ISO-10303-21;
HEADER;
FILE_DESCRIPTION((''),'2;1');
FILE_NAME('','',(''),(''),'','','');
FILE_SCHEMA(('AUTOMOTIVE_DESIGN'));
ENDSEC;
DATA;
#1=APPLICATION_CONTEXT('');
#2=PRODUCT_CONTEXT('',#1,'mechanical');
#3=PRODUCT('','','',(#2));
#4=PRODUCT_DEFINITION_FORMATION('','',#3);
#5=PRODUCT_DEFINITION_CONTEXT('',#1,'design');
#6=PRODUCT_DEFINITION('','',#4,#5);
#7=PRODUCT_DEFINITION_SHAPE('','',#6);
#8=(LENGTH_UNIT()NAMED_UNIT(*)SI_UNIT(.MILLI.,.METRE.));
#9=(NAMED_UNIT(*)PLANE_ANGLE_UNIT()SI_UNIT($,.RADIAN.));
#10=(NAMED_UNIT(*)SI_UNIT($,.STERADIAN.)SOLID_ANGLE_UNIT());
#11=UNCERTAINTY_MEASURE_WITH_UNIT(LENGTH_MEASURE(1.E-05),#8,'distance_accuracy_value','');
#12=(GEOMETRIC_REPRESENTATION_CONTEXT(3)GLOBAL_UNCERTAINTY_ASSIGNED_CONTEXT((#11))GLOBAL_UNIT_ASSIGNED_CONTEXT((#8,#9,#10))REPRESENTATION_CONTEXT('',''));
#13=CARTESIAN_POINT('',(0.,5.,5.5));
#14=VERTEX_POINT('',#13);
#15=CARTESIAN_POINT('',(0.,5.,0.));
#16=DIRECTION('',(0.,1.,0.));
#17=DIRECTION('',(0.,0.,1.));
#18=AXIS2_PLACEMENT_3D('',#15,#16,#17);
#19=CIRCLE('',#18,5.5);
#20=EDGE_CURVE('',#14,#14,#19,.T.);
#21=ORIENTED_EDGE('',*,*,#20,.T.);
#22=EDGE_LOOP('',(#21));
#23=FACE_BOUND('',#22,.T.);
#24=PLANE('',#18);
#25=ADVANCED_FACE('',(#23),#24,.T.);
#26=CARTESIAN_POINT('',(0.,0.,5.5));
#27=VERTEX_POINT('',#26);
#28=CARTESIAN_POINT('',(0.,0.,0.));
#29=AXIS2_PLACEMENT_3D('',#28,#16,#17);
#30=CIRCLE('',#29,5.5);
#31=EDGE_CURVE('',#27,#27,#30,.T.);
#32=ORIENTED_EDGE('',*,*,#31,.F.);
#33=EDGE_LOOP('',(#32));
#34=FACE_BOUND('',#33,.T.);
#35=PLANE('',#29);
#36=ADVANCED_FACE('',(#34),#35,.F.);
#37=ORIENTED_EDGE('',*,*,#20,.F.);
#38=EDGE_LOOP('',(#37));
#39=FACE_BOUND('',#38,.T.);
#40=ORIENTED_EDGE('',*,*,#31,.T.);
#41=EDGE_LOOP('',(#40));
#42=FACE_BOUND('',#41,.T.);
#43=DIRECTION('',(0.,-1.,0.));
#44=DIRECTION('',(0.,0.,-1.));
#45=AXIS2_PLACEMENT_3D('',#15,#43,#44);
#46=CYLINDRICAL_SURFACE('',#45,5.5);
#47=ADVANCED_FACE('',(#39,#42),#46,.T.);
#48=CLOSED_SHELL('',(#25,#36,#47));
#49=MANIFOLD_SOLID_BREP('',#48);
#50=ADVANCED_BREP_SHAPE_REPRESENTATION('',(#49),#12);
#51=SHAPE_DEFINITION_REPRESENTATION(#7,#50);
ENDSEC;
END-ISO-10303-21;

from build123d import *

# Parameters (mm, degrees)
SKETCH_2_R      = 5.5
EXTRUDE_1_DEPTH = 5


with BuildPart() as part:
    # 草圖2 → 填料-伸長1 (new body)
    with BuildSketch(Plane(origin=(0, 0, 0), x_dir=(1, 0, 0), z_dir=(0, 1, 0))):
        Circle(SKETCH_2_R)
    extrude(amount=EXTRUDE_1_DEPTH)


solid = part.part
